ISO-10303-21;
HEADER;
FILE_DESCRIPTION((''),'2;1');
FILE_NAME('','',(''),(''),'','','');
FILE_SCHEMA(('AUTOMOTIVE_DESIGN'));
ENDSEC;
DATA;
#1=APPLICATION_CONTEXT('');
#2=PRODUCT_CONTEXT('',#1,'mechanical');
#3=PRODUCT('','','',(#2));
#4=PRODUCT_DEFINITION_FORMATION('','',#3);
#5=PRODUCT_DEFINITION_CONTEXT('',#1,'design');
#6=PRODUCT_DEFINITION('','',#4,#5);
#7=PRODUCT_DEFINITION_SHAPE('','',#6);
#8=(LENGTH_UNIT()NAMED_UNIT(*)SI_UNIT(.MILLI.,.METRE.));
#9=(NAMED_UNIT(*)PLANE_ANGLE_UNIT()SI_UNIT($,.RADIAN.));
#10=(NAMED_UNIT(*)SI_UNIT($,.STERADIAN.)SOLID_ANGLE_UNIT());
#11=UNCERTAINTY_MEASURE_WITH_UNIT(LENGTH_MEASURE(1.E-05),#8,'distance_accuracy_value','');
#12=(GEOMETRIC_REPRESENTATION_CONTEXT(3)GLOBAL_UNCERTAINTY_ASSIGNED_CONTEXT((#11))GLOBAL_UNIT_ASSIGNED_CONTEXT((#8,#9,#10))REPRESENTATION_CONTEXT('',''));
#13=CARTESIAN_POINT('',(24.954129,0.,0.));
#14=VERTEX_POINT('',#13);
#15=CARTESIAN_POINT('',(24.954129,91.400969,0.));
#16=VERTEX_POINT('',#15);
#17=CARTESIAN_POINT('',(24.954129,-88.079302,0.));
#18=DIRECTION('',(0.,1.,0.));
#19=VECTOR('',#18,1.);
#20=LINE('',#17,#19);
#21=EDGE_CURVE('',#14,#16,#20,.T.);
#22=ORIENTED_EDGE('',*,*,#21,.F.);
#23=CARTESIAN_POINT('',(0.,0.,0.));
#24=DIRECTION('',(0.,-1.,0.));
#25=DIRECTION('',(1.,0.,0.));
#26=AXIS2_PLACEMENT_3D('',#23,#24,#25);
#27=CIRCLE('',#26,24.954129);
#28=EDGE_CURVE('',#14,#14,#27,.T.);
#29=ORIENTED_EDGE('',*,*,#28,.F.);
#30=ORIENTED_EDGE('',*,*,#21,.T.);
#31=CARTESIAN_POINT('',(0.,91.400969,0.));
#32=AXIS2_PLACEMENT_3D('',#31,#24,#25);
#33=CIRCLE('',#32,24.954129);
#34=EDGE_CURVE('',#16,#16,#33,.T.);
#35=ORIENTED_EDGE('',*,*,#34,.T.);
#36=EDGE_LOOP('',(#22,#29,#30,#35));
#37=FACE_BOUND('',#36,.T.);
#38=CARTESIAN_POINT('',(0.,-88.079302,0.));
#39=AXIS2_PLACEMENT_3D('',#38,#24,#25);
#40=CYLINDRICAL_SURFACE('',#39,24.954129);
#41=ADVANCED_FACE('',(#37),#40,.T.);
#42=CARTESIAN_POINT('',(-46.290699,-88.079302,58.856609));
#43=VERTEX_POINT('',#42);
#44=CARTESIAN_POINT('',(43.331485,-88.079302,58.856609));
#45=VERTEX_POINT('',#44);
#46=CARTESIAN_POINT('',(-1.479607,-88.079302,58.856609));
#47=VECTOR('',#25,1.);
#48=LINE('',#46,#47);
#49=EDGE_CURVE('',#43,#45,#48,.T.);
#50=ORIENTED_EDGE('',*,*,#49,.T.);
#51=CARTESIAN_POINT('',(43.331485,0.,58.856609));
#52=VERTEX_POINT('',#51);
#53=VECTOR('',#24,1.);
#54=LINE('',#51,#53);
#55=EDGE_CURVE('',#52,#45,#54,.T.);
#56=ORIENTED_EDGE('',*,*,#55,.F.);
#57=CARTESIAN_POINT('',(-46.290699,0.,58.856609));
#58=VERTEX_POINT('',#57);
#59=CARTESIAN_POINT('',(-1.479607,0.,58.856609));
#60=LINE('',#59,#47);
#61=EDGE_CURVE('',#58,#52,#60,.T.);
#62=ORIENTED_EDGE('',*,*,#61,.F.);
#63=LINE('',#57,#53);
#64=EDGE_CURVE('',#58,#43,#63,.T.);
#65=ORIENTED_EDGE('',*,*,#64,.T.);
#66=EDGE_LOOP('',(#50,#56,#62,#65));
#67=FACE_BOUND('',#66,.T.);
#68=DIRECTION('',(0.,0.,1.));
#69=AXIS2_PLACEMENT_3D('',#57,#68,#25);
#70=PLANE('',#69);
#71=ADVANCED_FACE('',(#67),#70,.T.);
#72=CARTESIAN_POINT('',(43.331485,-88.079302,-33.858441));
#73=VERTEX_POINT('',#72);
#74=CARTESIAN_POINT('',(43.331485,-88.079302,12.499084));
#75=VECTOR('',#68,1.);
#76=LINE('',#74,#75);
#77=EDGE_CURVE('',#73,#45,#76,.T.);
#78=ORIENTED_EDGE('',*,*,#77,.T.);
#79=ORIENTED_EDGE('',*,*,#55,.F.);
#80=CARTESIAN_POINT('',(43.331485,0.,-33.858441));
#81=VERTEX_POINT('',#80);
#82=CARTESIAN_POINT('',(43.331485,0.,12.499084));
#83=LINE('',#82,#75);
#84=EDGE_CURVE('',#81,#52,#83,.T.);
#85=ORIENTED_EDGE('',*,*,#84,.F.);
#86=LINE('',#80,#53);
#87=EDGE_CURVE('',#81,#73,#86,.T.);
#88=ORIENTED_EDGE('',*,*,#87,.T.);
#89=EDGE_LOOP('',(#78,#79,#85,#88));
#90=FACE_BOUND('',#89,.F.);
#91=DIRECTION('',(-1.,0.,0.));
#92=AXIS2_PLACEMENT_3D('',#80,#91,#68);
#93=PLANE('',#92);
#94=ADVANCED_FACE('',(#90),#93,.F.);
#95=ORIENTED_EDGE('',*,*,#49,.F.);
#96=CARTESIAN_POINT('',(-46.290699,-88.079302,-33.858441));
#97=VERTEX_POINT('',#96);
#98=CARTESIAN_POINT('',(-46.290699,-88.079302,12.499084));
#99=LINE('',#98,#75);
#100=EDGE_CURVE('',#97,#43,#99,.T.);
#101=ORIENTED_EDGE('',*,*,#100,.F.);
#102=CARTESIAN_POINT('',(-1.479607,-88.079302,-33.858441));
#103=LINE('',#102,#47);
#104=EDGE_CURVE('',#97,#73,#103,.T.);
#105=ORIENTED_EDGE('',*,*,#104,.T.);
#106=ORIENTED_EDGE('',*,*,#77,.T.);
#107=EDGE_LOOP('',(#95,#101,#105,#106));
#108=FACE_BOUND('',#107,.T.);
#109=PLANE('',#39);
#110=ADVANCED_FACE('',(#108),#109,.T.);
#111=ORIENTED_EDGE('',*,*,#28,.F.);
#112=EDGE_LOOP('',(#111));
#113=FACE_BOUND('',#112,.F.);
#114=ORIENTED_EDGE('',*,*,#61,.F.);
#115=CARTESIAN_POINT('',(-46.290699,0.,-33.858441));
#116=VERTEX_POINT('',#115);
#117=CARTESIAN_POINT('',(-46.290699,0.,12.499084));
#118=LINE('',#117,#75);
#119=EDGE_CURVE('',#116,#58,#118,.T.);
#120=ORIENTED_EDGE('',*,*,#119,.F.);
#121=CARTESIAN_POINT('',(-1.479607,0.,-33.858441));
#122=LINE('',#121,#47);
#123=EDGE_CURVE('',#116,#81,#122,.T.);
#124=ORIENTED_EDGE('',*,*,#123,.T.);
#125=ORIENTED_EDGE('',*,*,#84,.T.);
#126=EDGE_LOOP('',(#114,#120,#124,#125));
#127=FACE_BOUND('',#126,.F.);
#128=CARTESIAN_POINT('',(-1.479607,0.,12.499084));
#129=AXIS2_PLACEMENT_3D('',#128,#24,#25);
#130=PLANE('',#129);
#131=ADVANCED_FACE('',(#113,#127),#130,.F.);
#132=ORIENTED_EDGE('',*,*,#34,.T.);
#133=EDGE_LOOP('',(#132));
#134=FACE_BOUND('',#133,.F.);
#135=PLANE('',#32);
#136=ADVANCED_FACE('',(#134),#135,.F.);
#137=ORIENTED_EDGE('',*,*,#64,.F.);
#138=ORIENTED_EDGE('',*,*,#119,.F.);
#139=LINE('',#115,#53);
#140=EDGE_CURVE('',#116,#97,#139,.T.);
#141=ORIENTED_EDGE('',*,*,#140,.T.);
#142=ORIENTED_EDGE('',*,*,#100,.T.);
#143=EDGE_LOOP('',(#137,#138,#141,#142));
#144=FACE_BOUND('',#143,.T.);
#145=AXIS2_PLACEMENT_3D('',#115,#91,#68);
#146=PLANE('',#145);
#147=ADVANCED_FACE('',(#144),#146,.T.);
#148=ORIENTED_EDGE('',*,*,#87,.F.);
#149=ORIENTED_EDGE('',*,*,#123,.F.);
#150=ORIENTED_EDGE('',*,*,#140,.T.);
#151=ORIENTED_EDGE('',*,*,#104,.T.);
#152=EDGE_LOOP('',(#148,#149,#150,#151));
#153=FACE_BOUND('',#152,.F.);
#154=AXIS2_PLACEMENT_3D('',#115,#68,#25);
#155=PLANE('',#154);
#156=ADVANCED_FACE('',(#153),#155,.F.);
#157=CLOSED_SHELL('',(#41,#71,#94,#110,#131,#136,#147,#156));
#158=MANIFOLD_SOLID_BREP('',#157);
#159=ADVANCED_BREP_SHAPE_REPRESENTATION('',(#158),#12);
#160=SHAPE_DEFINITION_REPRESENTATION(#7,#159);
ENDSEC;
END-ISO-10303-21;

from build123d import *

# Parameters (mm, degrees)
F0_W     = 89.622184
F0_H     = 92.715051
F1_DEPTH = 88.079302
F2_R     = 24.954129
F3_DEPTH = 179.480271


with BuildPart() as f1:
    # F0 (on Front) → F1 (new body)
    with BuildSketch(Plane.XZ):
        with Locations((-1.479607, 12.499084)):
            Rectangle(F0_W, F0_H)
    extrude(amount=F1_DEPTH)

    # F2 (on face) → F3 (join)
    with BuildSketch(Plane.XZ.offset(88.079302)):
        Circle(F2_R)
    extrude(amount=-F3_DEPTH)


solid = f1.part
